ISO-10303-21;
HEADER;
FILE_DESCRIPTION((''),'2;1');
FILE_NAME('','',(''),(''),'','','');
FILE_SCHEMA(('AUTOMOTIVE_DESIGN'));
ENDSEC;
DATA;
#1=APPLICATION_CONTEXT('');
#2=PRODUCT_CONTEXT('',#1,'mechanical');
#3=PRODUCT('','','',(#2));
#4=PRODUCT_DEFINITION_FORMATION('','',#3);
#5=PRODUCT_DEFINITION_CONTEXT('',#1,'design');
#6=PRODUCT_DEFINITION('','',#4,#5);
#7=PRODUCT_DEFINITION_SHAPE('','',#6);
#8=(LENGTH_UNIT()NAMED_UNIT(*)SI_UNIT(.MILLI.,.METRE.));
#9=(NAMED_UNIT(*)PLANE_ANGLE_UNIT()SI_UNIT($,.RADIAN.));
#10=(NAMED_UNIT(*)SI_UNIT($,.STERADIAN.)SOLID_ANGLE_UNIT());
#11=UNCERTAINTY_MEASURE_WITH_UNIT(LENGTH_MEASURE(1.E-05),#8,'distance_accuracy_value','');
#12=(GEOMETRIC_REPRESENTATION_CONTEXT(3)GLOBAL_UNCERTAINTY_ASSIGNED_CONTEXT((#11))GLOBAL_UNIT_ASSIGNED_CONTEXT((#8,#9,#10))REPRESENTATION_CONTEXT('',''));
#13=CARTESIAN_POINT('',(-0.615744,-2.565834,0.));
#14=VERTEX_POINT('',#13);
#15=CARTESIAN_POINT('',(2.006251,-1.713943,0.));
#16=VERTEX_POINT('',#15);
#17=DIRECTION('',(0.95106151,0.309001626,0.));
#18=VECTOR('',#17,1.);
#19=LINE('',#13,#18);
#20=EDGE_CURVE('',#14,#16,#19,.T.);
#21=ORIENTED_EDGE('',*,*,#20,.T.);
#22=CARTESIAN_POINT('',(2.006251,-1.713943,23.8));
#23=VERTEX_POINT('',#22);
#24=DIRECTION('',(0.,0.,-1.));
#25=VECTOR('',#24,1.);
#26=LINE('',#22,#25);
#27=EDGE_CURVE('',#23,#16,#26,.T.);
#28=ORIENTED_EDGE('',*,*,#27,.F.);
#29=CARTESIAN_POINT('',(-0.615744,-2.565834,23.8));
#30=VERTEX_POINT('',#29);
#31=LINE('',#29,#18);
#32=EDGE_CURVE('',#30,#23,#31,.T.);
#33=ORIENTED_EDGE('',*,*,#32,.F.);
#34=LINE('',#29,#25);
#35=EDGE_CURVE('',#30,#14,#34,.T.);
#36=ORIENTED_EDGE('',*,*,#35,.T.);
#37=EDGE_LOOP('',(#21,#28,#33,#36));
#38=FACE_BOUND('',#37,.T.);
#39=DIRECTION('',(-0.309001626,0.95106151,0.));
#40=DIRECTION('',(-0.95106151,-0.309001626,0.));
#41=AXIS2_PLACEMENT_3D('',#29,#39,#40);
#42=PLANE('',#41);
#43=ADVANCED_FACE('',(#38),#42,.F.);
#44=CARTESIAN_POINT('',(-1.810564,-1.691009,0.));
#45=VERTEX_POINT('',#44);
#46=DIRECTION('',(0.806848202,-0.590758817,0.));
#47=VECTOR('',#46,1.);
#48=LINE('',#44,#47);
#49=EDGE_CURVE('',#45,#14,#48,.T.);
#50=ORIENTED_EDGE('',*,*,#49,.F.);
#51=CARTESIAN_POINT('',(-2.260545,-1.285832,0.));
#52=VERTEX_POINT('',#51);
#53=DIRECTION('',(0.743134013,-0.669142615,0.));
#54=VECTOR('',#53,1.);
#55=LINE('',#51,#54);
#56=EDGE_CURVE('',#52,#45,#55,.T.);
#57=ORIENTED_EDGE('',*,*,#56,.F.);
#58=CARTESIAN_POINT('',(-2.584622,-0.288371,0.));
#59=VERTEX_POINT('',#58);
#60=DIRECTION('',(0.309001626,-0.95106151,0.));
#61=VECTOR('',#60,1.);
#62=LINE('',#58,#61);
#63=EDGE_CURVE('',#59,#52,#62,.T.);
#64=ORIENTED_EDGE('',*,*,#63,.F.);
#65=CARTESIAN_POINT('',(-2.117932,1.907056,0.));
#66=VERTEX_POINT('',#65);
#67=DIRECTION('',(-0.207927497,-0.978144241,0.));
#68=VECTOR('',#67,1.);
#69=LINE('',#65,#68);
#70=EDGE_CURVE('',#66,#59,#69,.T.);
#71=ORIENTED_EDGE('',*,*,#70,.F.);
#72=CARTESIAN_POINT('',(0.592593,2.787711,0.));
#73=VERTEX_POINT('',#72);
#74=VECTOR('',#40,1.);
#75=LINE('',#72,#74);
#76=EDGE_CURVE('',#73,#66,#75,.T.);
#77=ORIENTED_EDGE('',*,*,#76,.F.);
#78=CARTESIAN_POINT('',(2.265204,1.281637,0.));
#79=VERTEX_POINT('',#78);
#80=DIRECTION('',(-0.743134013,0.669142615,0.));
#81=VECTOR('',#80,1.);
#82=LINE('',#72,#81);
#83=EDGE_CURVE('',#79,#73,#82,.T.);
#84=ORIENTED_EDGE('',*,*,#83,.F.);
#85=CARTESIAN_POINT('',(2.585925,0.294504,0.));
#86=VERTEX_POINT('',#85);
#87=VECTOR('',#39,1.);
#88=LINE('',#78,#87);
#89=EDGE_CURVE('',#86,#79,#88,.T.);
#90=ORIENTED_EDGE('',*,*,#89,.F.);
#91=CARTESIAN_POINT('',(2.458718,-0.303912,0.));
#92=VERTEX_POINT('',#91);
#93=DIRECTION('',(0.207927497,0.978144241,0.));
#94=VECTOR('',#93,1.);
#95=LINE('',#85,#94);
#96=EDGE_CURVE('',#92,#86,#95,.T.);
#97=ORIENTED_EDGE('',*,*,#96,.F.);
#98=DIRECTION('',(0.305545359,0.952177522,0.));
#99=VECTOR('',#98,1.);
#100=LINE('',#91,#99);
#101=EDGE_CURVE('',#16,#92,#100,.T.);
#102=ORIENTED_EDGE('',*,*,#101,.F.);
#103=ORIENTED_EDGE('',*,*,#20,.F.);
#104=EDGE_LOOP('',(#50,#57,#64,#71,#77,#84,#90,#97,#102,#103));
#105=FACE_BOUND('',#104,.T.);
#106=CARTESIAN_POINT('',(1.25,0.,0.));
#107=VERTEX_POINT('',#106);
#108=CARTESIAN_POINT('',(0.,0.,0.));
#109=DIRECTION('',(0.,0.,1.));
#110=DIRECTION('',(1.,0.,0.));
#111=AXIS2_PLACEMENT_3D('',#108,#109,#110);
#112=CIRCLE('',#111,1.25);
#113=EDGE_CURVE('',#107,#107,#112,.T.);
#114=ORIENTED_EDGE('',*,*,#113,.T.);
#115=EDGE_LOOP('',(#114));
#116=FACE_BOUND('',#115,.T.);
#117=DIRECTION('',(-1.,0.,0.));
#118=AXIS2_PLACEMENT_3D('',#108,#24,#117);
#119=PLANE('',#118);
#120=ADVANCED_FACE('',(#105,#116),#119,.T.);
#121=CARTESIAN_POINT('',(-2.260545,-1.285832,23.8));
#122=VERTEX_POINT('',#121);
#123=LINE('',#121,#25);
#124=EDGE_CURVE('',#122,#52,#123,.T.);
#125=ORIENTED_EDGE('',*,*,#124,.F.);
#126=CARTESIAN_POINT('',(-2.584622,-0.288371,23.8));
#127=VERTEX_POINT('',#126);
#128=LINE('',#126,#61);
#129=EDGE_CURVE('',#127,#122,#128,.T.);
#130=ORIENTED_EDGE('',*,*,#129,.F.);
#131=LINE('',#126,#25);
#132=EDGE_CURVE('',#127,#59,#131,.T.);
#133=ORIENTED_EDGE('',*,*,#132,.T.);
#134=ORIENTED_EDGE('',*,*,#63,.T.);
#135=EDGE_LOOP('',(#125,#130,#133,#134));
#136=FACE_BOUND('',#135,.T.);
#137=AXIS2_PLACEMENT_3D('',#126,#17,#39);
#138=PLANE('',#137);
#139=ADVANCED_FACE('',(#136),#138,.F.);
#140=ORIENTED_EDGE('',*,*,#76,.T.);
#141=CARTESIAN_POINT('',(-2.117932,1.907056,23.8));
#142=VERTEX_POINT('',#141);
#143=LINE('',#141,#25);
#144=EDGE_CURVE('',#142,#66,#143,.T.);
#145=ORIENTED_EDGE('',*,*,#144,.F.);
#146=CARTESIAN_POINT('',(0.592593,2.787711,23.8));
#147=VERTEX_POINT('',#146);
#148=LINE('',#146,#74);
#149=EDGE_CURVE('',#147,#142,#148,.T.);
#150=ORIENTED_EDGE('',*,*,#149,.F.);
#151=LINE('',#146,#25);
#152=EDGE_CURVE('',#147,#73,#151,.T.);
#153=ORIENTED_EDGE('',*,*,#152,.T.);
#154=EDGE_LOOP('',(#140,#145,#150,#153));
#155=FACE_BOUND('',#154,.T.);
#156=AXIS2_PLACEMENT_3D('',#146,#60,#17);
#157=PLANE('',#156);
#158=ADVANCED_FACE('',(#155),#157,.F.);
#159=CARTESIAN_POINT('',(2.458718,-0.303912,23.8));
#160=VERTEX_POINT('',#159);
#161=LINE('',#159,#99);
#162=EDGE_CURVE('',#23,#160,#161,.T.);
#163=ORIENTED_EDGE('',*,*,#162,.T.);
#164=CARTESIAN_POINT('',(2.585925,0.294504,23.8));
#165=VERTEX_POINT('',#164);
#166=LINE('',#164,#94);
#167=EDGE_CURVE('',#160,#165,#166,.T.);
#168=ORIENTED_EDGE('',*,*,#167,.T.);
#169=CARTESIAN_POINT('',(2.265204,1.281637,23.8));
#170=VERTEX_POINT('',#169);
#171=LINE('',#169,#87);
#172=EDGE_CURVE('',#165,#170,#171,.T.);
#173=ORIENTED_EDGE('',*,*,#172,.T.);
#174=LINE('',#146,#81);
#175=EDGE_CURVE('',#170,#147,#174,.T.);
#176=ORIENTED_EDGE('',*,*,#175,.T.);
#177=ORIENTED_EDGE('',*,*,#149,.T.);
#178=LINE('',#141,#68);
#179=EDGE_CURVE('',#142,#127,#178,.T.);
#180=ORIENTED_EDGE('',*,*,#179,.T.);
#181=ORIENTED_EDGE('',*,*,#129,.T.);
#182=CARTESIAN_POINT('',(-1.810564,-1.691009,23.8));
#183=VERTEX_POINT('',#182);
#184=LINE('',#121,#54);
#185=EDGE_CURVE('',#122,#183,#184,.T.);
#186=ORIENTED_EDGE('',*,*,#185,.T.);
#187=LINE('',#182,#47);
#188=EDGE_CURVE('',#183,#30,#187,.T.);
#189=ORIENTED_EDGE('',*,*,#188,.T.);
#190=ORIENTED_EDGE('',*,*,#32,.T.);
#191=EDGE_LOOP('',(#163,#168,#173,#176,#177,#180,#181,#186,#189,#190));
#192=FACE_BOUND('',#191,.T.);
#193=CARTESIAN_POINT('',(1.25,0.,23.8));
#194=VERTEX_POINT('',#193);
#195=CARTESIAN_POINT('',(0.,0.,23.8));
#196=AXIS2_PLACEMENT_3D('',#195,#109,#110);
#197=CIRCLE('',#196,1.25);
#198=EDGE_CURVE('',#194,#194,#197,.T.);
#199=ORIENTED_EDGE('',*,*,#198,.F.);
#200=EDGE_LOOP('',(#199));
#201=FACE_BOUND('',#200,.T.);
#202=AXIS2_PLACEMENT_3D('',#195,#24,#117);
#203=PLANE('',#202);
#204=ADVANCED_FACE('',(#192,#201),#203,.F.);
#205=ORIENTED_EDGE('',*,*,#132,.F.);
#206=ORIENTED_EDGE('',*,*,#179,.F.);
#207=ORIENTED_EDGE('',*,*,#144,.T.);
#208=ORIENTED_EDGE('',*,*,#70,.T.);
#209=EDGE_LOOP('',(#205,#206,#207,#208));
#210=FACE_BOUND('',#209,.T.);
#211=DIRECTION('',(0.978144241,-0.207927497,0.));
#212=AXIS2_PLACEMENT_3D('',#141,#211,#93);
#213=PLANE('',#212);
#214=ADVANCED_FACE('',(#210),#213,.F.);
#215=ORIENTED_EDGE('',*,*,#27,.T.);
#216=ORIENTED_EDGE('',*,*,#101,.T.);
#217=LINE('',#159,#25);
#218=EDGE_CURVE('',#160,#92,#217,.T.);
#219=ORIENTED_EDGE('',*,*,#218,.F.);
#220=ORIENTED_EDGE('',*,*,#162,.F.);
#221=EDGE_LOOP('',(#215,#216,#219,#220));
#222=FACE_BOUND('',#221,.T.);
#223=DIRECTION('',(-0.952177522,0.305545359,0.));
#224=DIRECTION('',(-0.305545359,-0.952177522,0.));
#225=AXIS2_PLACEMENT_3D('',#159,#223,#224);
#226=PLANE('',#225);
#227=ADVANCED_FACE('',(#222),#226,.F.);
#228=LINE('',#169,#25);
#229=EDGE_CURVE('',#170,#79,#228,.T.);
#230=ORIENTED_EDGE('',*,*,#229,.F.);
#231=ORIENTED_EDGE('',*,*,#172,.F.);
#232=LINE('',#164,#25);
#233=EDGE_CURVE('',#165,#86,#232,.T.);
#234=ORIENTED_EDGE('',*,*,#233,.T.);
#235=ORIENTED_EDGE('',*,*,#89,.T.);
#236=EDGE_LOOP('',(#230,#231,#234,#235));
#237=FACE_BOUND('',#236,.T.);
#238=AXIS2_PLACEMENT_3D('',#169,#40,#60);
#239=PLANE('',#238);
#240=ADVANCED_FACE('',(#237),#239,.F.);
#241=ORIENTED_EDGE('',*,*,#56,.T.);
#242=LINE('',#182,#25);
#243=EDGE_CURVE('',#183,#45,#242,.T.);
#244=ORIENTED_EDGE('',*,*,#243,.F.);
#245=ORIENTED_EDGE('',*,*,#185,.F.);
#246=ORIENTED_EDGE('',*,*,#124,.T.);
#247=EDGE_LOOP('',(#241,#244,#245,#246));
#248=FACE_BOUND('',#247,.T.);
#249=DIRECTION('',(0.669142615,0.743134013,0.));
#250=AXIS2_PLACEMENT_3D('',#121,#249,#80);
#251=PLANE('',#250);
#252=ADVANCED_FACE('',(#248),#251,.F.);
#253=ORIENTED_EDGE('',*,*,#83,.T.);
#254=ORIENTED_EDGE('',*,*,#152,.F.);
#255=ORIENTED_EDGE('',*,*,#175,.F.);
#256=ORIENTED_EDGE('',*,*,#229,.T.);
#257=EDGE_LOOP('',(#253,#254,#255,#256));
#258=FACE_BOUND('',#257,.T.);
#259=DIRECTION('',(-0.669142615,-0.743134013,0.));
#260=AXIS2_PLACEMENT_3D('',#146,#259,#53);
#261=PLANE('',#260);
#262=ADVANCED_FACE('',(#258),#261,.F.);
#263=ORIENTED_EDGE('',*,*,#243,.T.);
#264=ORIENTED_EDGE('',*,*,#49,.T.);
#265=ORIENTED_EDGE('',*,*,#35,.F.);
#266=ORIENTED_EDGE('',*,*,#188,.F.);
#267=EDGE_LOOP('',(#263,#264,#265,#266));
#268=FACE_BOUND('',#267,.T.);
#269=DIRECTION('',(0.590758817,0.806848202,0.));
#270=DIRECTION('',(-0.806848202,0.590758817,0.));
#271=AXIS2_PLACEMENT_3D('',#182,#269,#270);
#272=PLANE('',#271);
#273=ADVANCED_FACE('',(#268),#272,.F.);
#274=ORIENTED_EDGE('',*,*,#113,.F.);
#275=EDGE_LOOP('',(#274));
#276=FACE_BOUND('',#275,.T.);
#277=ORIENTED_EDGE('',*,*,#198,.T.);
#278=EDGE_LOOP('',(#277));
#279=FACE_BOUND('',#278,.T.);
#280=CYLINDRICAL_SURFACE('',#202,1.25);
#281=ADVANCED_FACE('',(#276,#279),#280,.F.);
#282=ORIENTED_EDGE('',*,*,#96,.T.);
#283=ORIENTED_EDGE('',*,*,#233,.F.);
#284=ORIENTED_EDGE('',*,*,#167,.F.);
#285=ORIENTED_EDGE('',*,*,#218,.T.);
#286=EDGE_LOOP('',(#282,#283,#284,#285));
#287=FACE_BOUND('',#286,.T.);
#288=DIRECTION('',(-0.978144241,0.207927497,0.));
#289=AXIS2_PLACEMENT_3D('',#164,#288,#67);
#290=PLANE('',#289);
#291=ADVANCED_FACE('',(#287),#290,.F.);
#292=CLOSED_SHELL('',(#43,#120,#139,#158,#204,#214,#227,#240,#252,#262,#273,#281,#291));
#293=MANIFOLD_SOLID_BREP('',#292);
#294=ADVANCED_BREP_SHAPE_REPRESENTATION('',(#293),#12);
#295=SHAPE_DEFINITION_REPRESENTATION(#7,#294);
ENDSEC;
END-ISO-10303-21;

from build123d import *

# Parameters (mm, degrees)
SKETCH_2_R      = 1.25
EXTRUDE_1_DEPTH = 23.8


with BuildPart() as part:
    # 草图2 → 凸台-拉伸1 (new body)
    with BuildSketch(Plane.XY):
        Polygon((-0.615744096, -2.565833968), (2.006251414, -1.713942825), (2.458717944, -0.303911724), (2.585925156, 0.294503607), (2.265203695, 1.281637041), (0.592593365, 2.787711087), (-2.117931937, 1.907056452), (-2.584621623, -0.288371455), (-2.260544862, -1.28583201), (-1.810564422, -1.691009384), align=None)
        Circle(SKETCH_2_R, mode=Mode.SUBTRACT)
    extrude(amount=EXTRUDE_1_DEPTH)


solid = part.part
